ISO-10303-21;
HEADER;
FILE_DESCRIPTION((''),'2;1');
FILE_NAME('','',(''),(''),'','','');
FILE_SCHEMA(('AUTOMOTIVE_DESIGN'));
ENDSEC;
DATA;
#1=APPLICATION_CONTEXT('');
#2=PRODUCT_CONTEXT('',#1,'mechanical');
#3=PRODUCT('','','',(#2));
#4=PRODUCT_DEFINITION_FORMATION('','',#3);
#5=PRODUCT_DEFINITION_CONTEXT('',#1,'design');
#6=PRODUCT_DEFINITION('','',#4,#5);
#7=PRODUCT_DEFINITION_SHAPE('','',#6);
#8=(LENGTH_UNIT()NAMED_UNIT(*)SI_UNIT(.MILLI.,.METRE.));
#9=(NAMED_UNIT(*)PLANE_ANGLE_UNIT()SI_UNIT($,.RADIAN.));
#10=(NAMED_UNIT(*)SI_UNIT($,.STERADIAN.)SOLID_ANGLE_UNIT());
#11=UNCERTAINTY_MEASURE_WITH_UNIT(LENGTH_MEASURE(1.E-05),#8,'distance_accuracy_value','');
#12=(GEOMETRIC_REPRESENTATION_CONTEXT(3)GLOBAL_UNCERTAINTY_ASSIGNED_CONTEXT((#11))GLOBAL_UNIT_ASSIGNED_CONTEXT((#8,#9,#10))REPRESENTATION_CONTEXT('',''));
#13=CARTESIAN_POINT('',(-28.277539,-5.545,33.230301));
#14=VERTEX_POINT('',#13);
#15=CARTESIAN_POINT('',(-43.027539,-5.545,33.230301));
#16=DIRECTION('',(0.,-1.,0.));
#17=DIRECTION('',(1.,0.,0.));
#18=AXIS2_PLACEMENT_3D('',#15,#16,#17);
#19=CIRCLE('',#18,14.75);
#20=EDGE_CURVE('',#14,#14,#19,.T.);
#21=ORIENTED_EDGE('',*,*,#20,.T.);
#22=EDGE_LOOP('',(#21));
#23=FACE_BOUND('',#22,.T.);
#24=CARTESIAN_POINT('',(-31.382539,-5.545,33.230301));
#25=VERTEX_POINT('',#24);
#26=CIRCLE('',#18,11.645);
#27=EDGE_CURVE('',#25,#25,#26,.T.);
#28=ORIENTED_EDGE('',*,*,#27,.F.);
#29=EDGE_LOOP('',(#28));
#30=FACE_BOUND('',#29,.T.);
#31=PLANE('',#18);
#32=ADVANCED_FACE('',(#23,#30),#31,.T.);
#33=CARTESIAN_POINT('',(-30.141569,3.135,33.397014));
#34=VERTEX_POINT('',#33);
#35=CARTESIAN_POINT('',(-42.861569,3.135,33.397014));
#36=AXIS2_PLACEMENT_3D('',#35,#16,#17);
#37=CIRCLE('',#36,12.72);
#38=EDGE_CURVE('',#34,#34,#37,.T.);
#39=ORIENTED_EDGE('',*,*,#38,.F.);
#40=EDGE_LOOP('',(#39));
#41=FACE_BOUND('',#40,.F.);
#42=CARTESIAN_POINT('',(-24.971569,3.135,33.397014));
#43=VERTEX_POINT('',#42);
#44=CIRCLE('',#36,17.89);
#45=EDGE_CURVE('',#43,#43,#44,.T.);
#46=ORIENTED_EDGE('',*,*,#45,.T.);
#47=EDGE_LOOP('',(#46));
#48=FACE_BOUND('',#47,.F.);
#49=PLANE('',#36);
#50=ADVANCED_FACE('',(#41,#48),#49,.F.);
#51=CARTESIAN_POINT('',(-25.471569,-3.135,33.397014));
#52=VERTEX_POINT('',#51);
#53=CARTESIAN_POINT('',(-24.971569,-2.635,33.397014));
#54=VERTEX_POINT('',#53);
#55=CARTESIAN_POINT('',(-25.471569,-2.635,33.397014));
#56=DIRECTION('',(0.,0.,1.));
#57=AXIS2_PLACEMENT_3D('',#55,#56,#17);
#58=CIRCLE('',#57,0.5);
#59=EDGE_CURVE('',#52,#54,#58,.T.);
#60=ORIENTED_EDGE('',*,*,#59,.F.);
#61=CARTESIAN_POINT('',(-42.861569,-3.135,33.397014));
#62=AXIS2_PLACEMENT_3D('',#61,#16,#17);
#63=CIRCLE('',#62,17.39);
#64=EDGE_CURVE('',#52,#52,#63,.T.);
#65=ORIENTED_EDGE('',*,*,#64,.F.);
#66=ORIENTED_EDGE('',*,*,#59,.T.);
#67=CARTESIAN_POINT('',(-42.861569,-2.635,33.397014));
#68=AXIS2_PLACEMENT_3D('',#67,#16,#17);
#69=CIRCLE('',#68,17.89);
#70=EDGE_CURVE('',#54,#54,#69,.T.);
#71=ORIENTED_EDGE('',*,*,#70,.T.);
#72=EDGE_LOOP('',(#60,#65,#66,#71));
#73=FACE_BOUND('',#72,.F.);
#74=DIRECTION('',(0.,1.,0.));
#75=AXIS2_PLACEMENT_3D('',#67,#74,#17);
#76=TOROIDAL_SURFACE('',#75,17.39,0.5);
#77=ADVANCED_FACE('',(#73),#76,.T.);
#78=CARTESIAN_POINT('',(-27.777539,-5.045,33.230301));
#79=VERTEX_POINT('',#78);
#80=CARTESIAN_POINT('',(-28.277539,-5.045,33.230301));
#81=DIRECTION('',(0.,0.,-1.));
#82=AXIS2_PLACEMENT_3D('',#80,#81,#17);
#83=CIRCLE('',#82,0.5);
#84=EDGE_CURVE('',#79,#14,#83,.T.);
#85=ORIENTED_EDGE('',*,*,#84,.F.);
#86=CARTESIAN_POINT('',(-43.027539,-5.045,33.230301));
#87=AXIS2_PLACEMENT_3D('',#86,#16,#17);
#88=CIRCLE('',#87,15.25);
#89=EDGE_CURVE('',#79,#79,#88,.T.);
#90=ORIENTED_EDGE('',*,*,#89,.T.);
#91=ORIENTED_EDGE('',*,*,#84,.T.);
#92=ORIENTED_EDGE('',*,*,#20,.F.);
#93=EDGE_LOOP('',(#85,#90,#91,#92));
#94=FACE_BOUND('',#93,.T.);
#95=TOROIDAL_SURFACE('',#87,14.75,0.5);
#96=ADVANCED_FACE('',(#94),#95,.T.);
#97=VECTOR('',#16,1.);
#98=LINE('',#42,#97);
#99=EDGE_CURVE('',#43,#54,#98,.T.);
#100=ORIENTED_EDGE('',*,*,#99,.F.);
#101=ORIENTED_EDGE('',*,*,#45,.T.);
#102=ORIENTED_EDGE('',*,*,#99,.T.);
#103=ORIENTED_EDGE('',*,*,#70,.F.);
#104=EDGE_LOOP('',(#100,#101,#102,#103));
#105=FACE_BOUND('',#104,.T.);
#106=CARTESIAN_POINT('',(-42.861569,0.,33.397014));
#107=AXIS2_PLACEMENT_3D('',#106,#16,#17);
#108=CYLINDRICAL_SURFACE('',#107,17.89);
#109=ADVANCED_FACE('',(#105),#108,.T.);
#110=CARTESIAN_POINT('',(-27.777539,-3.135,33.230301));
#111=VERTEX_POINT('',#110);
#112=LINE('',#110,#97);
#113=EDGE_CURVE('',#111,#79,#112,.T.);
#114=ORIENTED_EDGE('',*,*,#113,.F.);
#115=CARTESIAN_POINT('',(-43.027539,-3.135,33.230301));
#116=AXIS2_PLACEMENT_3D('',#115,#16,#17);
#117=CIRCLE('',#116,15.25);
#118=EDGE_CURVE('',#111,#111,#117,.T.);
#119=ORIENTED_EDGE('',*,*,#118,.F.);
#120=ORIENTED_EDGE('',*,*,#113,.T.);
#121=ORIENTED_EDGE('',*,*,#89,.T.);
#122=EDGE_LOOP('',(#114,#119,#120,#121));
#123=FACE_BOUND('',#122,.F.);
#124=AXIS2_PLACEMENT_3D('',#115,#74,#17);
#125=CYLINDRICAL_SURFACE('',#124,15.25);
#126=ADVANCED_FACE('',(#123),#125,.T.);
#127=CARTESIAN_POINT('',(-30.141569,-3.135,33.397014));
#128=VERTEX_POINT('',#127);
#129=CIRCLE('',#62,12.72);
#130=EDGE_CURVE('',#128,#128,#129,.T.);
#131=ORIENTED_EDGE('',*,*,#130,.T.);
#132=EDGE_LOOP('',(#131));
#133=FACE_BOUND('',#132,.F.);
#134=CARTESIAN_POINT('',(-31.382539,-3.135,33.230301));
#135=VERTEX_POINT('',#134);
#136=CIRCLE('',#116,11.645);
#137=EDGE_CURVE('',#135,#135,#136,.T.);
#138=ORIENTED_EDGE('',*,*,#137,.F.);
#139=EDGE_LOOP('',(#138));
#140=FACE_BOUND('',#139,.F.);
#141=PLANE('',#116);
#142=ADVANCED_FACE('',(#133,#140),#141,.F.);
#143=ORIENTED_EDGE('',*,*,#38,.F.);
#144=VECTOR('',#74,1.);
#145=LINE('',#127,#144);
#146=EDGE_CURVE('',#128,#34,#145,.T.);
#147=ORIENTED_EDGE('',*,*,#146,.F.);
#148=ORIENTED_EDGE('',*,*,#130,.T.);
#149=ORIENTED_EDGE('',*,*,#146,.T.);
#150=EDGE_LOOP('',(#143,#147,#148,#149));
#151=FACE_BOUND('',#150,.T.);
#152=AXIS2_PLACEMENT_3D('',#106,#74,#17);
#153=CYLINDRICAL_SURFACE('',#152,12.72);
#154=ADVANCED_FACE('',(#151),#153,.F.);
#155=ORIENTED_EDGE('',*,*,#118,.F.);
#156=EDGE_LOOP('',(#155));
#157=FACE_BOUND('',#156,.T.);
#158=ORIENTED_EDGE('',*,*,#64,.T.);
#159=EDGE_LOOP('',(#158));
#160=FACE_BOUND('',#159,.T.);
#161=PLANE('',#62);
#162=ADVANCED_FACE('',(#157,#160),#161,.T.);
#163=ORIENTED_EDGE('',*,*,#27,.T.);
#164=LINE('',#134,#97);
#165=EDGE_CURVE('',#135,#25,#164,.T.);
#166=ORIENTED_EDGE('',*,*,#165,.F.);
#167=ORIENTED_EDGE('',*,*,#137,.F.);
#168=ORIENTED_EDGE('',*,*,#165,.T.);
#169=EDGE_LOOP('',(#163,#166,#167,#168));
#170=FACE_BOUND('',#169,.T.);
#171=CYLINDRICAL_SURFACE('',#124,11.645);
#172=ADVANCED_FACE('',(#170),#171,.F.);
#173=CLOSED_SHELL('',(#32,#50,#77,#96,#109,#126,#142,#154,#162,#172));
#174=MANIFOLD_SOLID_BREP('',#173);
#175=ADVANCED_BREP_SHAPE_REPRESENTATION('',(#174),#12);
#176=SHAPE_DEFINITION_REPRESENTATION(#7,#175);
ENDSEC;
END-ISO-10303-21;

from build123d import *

# Parameters (mm, degrees)
F0_R     = 17.89
F0_R_2   = 12.72
F1_DEPTH = 3.135
F3_R     = 15.25
F3_R_2   = 11.645
F4_DEPTH = 2.41
F5_R     = 0.5


with BuildPart() as f1:
    # F0 (on Front) → F1 (new body, symmetric)
    with BuildSketch(Plane.XZ):
        with Locations((-42.8615688275, 33.3970142528)):
            Circle(F0_R)
        with Locations((-42.8615688275, 33.3970142528)):
            Circle(F0_R_2, mode=Mode.SUBTRACT)
    extrude(amount=F1_DEPTH, both=True)

    # F3 (on offset) → F4 (join)
    with BuildSketch(Plane.XZ.offset(3.135)):
        with Locations((-43.0275388062, 33.2303009927)):
            Circle(F3_R)
        with Locations((-43.0275388062, 33.2303009927)):
            Circle(F3_R_2, mode=Mode.SUBTRACT)
    extrude(amount=F4_DEPTH)

    # F5
    f5_edges = [f1.edges().sort_by_distance(p)[0] for p in [
        (-58.277539, -5.545, 33.230301),
        (-60.751569, -3.135, 33.397014),
    ]]
    fillet(f5_edges, radius=F5_R)


solid = f1.part
